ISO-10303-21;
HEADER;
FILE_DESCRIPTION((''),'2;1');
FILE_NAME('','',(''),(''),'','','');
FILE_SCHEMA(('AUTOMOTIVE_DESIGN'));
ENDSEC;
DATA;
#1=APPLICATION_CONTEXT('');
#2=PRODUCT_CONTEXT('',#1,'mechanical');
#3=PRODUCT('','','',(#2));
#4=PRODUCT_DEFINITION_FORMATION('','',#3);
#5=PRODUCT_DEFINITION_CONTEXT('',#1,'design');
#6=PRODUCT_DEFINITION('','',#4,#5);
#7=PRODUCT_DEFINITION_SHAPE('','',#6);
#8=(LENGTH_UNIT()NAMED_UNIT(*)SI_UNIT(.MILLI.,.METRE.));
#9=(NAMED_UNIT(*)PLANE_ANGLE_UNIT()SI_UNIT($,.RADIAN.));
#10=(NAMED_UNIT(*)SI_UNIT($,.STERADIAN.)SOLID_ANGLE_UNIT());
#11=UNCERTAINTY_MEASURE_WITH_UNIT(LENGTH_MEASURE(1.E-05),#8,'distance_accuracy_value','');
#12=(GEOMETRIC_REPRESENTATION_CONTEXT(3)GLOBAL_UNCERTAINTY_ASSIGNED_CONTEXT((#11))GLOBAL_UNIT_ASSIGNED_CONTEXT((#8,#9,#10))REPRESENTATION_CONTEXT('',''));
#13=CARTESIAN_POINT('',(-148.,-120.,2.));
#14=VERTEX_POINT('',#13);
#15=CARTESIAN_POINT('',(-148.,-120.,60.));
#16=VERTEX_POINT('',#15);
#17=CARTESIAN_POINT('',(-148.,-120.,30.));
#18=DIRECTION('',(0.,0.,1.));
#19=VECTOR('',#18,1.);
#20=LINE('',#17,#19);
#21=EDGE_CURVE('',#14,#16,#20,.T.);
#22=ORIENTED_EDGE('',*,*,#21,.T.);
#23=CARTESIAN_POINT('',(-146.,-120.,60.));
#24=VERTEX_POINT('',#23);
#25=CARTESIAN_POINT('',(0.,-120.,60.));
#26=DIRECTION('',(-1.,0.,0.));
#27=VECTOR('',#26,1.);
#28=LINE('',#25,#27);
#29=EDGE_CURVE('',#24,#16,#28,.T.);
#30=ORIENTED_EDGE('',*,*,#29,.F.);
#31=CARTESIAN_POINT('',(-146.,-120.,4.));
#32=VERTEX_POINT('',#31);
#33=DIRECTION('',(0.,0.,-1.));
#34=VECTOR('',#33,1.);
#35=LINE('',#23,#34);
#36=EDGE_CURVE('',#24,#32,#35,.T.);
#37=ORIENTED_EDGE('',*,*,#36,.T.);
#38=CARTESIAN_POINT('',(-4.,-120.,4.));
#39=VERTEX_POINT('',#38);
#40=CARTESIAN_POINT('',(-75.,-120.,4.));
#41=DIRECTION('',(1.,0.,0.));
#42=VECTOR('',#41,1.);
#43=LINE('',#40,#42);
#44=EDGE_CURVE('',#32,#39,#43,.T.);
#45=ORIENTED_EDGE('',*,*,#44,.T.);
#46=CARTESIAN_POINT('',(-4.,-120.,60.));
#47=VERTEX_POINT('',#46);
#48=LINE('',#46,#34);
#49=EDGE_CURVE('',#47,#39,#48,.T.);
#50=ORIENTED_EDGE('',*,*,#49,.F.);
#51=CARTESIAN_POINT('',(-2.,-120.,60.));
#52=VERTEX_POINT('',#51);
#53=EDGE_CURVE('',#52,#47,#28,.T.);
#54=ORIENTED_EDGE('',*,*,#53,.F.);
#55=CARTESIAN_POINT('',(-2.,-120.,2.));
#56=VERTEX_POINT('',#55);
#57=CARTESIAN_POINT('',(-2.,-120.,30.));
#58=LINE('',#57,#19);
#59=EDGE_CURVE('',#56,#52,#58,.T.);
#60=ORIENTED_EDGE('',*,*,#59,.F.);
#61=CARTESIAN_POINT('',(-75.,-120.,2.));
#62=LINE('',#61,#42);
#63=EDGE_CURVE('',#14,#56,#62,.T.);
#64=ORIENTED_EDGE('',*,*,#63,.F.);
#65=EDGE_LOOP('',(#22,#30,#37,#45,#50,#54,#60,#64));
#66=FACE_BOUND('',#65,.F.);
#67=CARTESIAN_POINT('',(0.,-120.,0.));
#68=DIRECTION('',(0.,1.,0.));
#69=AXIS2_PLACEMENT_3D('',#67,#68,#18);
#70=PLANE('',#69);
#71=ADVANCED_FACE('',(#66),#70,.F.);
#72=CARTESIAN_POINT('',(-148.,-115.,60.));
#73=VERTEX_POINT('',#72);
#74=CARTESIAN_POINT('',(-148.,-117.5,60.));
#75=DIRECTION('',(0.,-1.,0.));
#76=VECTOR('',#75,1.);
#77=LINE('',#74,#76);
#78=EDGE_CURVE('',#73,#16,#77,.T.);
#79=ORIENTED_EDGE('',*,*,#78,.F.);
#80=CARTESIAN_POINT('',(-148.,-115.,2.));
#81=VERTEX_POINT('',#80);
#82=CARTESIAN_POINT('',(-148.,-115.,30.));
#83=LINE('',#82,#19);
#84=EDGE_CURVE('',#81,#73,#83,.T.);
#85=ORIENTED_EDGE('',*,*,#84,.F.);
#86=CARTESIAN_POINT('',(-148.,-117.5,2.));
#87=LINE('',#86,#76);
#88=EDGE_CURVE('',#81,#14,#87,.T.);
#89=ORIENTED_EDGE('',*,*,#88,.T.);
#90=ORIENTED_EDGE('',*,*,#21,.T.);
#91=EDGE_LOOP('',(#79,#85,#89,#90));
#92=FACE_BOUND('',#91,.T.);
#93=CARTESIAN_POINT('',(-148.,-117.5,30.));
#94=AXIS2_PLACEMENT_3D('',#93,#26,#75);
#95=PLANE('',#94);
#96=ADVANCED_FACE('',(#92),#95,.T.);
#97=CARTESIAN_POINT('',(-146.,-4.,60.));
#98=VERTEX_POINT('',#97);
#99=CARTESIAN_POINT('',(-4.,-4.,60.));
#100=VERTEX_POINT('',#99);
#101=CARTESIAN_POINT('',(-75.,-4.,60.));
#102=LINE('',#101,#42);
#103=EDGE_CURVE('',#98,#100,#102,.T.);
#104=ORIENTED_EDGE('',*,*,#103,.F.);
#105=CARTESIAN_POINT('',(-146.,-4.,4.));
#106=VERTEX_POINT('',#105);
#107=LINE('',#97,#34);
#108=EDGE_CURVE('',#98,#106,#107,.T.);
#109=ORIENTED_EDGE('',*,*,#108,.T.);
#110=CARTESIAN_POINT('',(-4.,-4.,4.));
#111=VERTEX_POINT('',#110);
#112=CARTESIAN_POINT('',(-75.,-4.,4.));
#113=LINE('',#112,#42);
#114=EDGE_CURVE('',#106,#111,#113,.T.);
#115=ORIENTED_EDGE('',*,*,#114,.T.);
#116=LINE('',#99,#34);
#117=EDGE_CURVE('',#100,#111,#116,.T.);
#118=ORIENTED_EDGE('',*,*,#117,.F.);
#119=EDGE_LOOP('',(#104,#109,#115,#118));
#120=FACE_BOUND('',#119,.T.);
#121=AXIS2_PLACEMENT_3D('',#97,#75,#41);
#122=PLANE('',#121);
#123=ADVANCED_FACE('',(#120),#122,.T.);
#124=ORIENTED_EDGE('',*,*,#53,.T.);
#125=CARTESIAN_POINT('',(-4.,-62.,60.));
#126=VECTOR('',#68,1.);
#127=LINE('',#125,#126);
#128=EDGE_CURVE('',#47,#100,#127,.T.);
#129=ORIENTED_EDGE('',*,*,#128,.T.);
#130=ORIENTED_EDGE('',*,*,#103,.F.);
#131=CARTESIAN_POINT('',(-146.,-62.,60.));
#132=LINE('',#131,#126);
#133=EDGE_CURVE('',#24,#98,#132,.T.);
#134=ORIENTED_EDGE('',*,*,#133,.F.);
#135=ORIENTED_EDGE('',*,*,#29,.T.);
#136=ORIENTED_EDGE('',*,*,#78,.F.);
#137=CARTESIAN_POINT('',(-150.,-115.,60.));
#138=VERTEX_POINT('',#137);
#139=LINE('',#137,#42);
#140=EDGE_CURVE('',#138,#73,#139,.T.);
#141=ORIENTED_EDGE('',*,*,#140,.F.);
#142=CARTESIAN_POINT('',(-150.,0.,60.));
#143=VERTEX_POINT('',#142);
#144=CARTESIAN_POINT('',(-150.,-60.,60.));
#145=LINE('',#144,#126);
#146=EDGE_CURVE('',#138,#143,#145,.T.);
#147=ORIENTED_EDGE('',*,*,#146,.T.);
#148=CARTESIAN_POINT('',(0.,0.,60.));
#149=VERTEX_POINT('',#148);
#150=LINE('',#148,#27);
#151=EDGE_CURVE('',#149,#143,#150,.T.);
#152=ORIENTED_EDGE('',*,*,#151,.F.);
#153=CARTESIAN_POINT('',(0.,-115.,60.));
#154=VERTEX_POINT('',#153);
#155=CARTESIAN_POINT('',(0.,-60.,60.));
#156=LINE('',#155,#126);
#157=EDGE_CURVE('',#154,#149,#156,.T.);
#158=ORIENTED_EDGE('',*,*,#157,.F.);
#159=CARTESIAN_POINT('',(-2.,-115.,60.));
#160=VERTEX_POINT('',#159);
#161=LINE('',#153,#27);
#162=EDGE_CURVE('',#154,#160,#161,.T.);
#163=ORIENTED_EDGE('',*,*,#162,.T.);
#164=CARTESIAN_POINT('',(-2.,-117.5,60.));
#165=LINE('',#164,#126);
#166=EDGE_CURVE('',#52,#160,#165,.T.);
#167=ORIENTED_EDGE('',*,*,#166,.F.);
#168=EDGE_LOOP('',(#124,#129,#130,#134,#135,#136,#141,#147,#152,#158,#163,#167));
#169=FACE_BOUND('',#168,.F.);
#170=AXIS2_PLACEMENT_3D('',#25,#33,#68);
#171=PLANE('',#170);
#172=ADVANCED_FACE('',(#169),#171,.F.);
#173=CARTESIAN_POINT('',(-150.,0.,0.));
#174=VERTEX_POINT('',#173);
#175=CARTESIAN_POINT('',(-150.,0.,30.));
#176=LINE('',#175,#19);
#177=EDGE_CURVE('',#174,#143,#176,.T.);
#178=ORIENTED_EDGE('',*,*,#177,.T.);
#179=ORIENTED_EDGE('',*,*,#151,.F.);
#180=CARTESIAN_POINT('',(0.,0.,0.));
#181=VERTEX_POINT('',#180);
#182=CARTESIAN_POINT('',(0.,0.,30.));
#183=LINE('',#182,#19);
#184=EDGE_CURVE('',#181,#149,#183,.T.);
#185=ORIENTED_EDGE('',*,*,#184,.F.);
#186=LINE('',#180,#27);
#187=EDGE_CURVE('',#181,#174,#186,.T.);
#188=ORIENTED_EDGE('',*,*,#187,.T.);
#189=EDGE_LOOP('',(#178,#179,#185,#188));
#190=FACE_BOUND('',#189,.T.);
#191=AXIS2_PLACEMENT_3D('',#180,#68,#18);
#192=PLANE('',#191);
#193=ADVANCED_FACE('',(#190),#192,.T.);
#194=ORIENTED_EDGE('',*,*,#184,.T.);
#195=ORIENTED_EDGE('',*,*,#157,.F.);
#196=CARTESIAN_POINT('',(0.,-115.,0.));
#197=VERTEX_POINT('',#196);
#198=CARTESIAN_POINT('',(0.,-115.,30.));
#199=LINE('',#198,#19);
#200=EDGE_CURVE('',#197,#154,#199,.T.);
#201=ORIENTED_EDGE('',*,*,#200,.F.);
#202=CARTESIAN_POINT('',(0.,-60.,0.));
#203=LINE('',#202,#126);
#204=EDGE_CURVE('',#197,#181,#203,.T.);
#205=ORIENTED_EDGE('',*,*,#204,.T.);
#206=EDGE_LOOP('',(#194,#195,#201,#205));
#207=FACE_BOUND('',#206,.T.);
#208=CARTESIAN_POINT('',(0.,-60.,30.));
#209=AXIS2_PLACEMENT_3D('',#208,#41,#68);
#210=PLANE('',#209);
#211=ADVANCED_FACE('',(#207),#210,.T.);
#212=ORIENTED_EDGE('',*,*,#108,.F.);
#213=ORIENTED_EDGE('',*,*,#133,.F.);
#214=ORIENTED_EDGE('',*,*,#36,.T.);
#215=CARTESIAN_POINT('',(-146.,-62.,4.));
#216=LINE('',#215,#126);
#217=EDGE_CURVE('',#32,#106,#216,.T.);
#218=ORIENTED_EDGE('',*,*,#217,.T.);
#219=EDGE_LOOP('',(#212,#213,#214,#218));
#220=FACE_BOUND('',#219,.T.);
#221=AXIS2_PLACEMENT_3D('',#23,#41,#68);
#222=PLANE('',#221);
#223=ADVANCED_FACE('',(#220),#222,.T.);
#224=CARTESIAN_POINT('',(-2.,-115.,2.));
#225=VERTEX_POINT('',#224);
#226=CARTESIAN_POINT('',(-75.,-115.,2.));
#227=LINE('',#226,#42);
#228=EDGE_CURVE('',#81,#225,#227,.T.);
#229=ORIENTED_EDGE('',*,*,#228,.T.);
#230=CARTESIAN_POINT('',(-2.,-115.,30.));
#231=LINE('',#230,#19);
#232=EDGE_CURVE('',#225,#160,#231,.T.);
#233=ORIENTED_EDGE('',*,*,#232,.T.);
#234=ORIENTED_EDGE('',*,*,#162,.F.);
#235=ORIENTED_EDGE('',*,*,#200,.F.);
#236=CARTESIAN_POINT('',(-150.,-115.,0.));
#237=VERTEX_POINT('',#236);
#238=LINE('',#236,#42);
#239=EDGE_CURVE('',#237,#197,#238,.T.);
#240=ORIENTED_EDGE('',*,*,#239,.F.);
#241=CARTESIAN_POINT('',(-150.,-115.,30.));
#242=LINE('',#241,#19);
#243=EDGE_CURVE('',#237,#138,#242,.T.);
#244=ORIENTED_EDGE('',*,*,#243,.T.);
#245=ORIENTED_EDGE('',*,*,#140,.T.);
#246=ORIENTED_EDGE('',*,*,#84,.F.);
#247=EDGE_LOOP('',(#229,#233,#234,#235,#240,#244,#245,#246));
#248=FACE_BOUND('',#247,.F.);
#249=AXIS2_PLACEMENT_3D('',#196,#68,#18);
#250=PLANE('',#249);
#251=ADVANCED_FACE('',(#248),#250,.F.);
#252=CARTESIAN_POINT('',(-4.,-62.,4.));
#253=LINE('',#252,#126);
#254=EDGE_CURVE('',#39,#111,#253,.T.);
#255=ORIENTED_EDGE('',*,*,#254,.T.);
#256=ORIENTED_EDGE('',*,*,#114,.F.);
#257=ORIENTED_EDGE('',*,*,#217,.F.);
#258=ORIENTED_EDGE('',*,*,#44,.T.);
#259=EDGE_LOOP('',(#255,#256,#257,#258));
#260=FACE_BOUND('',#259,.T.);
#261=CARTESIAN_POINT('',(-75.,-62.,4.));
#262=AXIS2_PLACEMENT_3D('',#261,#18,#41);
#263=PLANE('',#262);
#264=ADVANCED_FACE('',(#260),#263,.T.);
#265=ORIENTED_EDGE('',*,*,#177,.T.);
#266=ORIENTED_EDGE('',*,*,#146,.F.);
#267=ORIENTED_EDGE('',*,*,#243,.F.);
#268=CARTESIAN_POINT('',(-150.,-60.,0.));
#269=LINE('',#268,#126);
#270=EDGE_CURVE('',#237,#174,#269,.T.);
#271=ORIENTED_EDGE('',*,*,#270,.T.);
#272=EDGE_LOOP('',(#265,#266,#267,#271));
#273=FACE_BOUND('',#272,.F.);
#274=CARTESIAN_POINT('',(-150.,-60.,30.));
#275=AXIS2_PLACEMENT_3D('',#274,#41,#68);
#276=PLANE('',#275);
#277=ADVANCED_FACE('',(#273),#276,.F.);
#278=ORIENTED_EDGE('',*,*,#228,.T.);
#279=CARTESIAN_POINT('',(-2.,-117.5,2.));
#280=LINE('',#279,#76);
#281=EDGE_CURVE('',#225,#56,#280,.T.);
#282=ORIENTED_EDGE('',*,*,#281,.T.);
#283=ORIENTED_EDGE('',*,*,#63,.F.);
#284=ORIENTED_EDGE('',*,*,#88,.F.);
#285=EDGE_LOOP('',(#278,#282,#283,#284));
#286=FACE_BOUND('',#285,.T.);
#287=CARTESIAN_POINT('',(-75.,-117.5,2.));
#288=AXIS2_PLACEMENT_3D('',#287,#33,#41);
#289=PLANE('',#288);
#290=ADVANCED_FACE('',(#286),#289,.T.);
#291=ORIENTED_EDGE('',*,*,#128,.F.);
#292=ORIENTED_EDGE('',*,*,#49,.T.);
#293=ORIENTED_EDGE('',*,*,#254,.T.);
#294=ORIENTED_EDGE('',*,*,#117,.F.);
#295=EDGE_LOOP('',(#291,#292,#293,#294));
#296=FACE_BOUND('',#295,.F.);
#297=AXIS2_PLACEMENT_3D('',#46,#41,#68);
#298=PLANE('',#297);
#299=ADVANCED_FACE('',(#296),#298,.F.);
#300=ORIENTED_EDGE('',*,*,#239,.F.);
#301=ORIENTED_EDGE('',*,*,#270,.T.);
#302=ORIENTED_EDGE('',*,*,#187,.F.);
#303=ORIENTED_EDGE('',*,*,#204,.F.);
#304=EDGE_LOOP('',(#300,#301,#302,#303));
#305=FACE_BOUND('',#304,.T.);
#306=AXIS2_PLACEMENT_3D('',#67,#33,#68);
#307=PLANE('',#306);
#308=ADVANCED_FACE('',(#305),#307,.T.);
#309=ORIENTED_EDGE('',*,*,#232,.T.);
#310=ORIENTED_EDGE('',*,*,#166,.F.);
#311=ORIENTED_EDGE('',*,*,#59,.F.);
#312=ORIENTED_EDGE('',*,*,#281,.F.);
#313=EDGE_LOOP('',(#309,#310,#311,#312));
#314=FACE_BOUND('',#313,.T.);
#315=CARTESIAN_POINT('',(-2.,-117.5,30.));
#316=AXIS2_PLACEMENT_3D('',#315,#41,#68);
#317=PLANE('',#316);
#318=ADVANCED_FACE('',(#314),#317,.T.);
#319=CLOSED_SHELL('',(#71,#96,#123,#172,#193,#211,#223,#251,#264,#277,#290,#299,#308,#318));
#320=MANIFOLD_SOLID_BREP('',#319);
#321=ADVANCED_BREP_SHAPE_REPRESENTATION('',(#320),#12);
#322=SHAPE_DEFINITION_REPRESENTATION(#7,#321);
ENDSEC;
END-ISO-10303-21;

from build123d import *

# Parameters (mm, degrees)
F0_W     = 120
F0_H     = 60
F1_DEPTH = 150
F2_W     = 142
F2_H     = 116
F3_DEPTH = 56
F4_W     = 5
F4_H     = 60
F5_DEPTH = 2
F6_W     = 5
F6_H     = 60
F7_DEPTH = 2
F8_W     = 146
F8_H     = 5
F9_DEPTH = 2


with BuildPart() as f1:
    # F0 (on Right) → F1 (new body)
    with BuildSketch(Plane.YZ):
        with Locations((-60, 30)):
            Rectangle(F0_W, F0_H)
    extrude(amount=-F1_DEPTH)

    # F2 (on face) → F3 (cut)
    with BuildSketch(Plane.XY.offset(60)):
        with Locations((-75, -62)):
            Rectangle(F2_W, F2_H)
    extrude(amount=-F3_DEPTH, mode=Mode.SUBTRACT)

    # F4 (on face) → F5 (cut)
    with BuildSketch(Plane(origin=(-150, 0, 0), x_dir=(0, -1, 0), z_dir=(-1, 0, 0))):
        with Locations((117.5, 30)):
            Rectangle(F4_W, F4_H)
    extrude(amount=-F5_DEPTH, mode=Mode.SUBTRACT)

    # F6 (on face) → F7 (cut)
    with BuildSketch(Plane.YZ):
        with Locations((-117.5, 30)):
            Rectangle(F6_W, F6_H)
    extrude(amount=-F7_DEPTH, mode=Mode.SUBTRACT)

    # F8 (on face) → F9 (cut)
    with BuildSketch(Plane(origin=(0, 0, 0), x_dir=(1, 0, 0), z_dir=(0, 0, -1))):
        with Locations((-75, 117.5)):
            Rectangle(F8_W, F8_H)
    extrude(amount=-F9_DEPTH, mode=Mode.SUBTRACT)


solid = f1.part
